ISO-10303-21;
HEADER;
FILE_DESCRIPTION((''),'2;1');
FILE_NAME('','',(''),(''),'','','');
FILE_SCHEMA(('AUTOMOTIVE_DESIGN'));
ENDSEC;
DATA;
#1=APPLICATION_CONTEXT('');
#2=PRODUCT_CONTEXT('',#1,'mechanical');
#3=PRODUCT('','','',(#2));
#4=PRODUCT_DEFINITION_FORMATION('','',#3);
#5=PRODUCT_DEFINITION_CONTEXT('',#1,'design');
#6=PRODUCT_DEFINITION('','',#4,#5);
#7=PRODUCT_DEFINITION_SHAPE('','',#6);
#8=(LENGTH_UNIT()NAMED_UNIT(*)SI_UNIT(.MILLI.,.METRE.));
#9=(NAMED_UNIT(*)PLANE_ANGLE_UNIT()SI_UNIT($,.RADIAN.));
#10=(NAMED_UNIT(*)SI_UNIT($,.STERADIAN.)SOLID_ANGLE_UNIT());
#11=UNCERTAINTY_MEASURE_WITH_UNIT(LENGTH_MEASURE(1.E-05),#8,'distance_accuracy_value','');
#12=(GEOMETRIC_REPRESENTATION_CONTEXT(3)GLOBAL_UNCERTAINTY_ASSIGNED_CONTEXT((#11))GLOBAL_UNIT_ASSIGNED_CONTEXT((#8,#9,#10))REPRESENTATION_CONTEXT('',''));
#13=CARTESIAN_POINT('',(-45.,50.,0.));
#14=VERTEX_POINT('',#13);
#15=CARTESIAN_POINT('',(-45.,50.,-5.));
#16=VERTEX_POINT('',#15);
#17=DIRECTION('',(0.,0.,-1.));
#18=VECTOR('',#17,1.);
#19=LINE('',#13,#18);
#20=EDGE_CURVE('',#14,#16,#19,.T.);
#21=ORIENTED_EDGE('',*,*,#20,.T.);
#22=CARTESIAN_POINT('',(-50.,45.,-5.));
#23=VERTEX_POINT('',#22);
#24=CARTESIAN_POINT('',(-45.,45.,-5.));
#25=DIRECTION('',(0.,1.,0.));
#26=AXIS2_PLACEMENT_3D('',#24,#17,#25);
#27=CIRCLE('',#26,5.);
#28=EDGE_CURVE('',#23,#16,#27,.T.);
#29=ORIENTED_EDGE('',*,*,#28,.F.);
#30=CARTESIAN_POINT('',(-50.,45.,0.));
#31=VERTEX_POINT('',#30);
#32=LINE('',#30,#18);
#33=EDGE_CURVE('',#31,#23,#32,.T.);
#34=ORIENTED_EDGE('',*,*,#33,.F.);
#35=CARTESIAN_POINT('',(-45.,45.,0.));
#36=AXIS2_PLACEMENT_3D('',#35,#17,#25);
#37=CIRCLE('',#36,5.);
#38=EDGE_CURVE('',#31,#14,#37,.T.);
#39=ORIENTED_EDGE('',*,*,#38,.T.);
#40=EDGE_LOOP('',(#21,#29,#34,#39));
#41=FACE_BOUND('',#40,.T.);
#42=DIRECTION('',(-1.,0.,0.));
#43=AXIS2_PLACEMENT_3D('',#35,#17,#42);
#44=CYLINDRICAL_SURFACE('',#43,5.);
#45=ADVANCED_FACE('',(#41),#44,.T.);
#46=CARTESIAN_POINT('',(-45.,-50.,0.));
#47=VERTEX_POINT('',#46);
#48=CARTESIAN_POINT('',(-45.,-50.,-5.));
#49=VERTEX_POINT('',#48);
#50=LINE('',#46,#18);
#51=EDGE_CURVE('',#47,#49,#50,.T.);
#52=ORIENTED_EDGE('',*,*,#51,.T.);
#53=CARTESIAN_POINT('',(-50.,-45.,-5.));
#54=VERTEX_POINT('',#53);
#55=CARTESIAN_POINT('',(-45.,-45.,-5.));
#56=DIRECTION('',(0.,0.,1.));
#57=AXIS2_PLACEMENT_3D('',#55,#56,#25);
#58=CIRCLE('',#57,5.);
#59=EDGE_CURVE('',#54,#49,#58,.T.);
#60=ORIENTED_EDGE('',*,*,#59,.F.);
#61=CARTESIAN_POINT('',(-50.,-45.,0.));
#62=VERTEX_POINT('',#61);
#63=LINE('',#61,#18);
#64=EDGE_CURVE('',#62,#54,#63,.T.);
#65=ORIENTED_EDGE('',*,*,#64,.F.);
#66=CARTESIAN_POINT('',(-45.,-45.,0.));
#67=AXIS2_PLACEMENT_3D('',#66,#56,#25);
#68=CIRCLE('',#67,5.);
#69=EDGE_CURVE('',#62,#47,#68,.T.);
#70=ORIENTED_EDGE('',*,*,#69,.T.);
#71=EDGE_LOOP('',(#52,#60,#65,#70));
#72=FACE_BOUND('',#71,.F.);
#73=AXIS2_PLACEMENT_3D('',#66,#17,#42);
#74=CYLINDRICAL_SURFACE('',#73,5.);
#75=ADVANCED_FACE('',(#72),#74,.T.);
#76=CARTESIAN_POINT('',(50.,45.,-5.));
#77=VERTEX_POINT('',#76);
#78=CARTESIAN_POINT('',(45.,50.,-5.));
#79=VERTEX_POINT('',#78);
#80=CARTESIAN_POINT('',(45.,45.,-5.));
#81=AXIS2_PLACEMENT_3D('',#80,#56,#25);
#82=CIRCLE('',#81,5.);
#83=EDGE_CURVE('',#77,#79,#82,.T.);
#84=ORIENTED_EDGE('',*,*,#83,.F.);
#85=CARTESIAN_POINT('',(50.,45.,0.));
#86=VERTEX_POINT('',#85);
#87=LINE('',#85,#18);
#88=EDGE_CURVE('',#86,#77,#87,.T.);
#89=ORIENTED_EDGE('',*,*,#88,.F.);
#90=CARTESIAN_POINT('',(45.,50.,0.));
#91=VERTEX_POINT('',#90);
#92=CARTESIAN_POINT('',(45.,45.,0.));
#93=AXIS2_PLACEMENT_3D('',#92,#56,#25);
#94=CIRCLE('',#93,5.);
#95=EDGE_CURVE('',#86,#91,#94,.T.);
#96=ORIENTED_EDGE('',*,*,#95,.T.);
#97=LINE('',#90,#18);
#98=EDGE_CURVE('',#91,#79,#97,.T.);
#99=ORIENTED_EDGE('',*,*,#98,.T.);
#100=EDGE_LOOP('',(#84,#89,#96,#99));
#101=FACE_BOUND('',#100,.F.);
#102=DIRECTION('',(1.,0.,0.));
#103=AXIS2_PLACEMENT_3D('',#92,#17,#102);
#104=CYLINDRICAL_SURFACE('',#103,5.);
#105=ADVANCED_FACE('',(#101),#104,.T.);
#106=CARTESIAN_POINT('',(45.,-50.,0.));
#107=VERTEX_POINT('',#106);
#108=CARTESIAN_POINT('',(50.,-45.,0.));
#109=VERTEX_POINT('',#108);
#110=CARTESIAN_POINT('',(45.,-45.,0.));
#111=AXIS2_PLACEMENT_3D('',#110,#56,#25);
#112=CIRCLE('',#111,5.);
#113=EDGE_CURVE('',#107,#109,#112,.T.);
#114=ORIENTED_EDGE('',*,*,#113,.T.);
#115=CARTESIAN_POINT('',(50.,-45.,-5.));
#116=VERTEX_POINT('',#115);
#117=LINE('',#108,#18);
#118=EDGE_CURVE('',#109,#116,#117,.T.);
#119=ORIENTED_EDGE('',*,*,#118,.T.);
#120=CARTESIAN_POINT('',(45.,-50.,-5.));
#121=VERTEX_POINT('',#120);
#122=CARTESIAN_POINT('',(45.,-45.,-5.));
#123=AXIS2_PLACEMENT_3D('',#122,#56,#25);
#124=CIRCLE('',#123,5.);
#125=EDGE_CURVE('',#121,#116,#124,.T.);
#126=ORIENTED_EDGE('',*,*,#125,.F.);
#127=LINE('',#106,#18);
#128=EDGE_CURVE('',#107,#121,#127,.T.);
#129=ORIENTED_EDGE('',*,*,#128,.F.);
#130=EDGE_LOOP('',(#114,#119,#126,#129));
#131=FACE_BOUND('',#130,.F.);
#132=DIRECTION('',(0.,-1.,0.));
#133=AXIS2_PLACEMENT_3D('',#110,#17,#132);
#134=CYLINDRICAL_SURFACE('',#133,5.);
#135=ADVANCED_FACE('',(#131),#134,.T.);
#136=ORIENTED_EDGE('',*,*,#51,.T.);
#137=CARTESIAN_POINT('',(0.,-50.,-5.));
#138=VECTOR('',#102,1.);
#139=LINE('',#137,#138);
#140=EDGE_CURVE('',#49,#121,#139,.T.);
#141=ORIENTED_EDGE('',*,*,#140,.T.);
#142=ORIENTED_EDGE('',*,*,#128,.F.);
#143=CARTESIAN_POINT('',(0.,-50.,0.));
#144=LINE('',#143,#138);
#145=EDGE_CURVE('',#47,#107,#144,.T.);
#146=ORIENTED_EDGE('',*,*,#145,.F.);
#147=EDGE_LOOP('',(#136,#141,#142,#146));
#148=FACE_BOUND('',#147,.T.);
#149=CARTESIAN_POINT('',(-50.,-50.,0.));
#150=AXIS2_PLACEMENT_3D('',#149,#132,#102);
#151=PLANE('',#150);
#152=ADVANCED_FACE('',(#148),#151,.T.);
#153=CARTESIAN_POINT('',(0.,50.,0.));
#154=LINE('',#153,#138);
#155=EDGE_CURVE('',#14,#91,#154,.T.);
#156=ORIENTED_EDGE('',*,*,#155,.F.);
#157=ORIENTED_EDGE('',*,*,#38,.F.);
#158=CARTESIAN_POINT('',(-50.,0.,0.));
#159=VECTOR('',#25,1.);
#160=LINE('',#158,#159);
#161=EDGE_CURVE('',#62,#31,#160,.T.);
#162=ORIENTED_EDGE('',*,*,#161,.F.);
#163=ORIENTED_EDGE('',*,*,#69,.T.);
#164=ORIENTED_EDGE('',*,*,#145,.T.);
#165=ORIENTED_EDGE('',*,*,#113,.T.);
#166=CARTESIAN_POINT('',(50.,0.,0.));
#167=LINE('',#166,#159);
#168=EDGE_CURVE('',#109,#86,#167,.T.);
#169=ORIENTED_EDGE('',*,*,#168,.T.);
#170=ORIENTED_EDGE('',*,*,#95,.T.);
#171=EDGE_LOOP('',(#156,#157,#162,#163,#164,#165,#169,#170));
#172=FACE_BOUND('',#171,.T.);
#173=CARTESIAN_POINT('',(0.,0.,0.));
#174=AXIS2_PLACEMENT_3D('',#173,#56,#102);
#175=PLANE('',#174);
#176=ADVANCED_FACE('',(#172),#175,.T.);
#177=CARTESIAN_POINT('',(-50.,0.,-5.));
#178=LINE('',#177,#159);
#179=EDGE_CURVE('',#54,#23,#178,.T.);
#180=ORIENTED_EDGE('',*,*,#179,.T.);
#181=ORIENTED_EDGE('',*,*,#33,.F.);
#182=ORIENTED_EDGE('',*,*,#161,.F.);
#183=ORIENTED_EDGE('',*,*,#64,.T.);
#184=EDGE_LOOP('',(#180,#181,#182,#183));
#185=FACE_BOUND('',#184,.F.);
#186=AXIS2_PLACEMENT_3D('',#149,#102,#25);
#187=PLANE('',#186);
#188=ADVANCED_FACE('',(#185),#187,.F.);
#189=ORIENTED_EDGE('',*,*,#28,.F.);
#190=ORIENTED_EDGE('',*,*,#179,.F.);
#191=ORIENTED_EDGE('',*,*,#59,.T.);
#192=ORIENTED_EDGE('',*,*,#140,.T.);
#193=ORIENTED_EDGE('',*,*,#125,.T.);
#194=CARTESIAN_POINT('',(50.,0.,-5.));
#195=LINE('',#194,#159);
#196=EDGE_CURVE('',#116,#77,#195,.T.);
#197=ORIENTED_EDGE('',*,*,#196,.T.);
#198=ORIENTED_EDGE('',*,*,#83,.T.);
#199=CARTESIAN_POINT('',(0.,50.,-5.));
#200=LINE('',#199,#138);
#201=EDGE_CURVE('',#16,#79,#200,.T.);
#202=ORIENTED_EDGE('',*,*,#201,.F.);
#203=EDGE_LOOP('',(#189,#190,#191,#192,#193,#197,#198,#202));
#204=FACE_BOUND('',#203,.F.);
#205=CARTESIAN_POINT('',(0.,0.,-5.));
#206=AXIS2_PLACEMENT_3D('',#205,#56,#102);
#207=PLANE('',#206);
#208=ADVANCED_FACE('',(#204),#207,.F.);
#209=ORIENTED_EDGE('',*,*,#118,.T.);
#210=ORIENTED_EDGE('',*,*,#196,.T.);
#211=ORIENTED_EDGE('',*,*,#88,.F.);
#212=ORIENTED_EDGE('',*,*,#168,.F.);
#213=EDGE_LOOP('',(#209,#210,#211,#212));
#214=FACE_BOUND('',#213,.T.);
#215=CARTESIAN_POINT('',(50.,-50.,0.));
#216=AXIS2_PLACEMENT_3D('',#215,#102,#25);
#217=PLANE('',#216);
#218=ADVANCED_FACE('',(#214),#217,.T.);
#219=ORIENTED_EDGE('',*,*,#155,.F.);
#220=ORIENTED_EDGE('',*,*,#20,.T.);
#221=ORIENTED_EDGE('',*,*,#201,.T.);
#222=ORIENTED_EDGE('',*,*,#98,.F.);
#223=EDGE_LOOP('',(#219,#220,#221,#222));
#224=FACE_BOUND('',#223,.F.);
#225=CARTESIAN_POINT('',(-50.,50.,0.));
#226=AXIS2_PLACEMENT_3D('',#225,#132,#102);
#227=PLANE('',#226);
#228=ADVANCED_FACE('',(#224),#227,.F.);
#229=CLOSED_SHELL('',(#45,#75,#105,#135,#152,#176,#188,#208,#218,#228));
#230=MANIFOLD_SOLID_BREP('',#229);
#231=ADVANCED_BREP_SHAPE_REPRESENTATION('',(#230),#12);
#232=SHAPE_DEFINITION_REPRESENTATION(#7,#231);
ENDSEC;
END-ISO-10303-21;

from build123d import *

# Parameters (mm, degrees)
F0_W     = 100
F0_H     = 100
F1_DEPTH = 5
F2_R     = 5


with BuildPart() as f1:
    # F0 (on Top) → F1 (new body)
    with BuildSketch(Plane.XY):
        Rectangle(F0_W, F0_H)
    extrude(amount=-F1_DEPTH)

    # F2
    f2_edges = [f1.edges().sort_by_distance(p)[0] for p in [
        (50, -50, -2.5),
        (-50, -50, -2.5),
        (50, 50, -2.5),
        (-50, 50, -2.5),
    ]]
    fillet(f2_edges, radius=F2_R)


solid = f1.part
